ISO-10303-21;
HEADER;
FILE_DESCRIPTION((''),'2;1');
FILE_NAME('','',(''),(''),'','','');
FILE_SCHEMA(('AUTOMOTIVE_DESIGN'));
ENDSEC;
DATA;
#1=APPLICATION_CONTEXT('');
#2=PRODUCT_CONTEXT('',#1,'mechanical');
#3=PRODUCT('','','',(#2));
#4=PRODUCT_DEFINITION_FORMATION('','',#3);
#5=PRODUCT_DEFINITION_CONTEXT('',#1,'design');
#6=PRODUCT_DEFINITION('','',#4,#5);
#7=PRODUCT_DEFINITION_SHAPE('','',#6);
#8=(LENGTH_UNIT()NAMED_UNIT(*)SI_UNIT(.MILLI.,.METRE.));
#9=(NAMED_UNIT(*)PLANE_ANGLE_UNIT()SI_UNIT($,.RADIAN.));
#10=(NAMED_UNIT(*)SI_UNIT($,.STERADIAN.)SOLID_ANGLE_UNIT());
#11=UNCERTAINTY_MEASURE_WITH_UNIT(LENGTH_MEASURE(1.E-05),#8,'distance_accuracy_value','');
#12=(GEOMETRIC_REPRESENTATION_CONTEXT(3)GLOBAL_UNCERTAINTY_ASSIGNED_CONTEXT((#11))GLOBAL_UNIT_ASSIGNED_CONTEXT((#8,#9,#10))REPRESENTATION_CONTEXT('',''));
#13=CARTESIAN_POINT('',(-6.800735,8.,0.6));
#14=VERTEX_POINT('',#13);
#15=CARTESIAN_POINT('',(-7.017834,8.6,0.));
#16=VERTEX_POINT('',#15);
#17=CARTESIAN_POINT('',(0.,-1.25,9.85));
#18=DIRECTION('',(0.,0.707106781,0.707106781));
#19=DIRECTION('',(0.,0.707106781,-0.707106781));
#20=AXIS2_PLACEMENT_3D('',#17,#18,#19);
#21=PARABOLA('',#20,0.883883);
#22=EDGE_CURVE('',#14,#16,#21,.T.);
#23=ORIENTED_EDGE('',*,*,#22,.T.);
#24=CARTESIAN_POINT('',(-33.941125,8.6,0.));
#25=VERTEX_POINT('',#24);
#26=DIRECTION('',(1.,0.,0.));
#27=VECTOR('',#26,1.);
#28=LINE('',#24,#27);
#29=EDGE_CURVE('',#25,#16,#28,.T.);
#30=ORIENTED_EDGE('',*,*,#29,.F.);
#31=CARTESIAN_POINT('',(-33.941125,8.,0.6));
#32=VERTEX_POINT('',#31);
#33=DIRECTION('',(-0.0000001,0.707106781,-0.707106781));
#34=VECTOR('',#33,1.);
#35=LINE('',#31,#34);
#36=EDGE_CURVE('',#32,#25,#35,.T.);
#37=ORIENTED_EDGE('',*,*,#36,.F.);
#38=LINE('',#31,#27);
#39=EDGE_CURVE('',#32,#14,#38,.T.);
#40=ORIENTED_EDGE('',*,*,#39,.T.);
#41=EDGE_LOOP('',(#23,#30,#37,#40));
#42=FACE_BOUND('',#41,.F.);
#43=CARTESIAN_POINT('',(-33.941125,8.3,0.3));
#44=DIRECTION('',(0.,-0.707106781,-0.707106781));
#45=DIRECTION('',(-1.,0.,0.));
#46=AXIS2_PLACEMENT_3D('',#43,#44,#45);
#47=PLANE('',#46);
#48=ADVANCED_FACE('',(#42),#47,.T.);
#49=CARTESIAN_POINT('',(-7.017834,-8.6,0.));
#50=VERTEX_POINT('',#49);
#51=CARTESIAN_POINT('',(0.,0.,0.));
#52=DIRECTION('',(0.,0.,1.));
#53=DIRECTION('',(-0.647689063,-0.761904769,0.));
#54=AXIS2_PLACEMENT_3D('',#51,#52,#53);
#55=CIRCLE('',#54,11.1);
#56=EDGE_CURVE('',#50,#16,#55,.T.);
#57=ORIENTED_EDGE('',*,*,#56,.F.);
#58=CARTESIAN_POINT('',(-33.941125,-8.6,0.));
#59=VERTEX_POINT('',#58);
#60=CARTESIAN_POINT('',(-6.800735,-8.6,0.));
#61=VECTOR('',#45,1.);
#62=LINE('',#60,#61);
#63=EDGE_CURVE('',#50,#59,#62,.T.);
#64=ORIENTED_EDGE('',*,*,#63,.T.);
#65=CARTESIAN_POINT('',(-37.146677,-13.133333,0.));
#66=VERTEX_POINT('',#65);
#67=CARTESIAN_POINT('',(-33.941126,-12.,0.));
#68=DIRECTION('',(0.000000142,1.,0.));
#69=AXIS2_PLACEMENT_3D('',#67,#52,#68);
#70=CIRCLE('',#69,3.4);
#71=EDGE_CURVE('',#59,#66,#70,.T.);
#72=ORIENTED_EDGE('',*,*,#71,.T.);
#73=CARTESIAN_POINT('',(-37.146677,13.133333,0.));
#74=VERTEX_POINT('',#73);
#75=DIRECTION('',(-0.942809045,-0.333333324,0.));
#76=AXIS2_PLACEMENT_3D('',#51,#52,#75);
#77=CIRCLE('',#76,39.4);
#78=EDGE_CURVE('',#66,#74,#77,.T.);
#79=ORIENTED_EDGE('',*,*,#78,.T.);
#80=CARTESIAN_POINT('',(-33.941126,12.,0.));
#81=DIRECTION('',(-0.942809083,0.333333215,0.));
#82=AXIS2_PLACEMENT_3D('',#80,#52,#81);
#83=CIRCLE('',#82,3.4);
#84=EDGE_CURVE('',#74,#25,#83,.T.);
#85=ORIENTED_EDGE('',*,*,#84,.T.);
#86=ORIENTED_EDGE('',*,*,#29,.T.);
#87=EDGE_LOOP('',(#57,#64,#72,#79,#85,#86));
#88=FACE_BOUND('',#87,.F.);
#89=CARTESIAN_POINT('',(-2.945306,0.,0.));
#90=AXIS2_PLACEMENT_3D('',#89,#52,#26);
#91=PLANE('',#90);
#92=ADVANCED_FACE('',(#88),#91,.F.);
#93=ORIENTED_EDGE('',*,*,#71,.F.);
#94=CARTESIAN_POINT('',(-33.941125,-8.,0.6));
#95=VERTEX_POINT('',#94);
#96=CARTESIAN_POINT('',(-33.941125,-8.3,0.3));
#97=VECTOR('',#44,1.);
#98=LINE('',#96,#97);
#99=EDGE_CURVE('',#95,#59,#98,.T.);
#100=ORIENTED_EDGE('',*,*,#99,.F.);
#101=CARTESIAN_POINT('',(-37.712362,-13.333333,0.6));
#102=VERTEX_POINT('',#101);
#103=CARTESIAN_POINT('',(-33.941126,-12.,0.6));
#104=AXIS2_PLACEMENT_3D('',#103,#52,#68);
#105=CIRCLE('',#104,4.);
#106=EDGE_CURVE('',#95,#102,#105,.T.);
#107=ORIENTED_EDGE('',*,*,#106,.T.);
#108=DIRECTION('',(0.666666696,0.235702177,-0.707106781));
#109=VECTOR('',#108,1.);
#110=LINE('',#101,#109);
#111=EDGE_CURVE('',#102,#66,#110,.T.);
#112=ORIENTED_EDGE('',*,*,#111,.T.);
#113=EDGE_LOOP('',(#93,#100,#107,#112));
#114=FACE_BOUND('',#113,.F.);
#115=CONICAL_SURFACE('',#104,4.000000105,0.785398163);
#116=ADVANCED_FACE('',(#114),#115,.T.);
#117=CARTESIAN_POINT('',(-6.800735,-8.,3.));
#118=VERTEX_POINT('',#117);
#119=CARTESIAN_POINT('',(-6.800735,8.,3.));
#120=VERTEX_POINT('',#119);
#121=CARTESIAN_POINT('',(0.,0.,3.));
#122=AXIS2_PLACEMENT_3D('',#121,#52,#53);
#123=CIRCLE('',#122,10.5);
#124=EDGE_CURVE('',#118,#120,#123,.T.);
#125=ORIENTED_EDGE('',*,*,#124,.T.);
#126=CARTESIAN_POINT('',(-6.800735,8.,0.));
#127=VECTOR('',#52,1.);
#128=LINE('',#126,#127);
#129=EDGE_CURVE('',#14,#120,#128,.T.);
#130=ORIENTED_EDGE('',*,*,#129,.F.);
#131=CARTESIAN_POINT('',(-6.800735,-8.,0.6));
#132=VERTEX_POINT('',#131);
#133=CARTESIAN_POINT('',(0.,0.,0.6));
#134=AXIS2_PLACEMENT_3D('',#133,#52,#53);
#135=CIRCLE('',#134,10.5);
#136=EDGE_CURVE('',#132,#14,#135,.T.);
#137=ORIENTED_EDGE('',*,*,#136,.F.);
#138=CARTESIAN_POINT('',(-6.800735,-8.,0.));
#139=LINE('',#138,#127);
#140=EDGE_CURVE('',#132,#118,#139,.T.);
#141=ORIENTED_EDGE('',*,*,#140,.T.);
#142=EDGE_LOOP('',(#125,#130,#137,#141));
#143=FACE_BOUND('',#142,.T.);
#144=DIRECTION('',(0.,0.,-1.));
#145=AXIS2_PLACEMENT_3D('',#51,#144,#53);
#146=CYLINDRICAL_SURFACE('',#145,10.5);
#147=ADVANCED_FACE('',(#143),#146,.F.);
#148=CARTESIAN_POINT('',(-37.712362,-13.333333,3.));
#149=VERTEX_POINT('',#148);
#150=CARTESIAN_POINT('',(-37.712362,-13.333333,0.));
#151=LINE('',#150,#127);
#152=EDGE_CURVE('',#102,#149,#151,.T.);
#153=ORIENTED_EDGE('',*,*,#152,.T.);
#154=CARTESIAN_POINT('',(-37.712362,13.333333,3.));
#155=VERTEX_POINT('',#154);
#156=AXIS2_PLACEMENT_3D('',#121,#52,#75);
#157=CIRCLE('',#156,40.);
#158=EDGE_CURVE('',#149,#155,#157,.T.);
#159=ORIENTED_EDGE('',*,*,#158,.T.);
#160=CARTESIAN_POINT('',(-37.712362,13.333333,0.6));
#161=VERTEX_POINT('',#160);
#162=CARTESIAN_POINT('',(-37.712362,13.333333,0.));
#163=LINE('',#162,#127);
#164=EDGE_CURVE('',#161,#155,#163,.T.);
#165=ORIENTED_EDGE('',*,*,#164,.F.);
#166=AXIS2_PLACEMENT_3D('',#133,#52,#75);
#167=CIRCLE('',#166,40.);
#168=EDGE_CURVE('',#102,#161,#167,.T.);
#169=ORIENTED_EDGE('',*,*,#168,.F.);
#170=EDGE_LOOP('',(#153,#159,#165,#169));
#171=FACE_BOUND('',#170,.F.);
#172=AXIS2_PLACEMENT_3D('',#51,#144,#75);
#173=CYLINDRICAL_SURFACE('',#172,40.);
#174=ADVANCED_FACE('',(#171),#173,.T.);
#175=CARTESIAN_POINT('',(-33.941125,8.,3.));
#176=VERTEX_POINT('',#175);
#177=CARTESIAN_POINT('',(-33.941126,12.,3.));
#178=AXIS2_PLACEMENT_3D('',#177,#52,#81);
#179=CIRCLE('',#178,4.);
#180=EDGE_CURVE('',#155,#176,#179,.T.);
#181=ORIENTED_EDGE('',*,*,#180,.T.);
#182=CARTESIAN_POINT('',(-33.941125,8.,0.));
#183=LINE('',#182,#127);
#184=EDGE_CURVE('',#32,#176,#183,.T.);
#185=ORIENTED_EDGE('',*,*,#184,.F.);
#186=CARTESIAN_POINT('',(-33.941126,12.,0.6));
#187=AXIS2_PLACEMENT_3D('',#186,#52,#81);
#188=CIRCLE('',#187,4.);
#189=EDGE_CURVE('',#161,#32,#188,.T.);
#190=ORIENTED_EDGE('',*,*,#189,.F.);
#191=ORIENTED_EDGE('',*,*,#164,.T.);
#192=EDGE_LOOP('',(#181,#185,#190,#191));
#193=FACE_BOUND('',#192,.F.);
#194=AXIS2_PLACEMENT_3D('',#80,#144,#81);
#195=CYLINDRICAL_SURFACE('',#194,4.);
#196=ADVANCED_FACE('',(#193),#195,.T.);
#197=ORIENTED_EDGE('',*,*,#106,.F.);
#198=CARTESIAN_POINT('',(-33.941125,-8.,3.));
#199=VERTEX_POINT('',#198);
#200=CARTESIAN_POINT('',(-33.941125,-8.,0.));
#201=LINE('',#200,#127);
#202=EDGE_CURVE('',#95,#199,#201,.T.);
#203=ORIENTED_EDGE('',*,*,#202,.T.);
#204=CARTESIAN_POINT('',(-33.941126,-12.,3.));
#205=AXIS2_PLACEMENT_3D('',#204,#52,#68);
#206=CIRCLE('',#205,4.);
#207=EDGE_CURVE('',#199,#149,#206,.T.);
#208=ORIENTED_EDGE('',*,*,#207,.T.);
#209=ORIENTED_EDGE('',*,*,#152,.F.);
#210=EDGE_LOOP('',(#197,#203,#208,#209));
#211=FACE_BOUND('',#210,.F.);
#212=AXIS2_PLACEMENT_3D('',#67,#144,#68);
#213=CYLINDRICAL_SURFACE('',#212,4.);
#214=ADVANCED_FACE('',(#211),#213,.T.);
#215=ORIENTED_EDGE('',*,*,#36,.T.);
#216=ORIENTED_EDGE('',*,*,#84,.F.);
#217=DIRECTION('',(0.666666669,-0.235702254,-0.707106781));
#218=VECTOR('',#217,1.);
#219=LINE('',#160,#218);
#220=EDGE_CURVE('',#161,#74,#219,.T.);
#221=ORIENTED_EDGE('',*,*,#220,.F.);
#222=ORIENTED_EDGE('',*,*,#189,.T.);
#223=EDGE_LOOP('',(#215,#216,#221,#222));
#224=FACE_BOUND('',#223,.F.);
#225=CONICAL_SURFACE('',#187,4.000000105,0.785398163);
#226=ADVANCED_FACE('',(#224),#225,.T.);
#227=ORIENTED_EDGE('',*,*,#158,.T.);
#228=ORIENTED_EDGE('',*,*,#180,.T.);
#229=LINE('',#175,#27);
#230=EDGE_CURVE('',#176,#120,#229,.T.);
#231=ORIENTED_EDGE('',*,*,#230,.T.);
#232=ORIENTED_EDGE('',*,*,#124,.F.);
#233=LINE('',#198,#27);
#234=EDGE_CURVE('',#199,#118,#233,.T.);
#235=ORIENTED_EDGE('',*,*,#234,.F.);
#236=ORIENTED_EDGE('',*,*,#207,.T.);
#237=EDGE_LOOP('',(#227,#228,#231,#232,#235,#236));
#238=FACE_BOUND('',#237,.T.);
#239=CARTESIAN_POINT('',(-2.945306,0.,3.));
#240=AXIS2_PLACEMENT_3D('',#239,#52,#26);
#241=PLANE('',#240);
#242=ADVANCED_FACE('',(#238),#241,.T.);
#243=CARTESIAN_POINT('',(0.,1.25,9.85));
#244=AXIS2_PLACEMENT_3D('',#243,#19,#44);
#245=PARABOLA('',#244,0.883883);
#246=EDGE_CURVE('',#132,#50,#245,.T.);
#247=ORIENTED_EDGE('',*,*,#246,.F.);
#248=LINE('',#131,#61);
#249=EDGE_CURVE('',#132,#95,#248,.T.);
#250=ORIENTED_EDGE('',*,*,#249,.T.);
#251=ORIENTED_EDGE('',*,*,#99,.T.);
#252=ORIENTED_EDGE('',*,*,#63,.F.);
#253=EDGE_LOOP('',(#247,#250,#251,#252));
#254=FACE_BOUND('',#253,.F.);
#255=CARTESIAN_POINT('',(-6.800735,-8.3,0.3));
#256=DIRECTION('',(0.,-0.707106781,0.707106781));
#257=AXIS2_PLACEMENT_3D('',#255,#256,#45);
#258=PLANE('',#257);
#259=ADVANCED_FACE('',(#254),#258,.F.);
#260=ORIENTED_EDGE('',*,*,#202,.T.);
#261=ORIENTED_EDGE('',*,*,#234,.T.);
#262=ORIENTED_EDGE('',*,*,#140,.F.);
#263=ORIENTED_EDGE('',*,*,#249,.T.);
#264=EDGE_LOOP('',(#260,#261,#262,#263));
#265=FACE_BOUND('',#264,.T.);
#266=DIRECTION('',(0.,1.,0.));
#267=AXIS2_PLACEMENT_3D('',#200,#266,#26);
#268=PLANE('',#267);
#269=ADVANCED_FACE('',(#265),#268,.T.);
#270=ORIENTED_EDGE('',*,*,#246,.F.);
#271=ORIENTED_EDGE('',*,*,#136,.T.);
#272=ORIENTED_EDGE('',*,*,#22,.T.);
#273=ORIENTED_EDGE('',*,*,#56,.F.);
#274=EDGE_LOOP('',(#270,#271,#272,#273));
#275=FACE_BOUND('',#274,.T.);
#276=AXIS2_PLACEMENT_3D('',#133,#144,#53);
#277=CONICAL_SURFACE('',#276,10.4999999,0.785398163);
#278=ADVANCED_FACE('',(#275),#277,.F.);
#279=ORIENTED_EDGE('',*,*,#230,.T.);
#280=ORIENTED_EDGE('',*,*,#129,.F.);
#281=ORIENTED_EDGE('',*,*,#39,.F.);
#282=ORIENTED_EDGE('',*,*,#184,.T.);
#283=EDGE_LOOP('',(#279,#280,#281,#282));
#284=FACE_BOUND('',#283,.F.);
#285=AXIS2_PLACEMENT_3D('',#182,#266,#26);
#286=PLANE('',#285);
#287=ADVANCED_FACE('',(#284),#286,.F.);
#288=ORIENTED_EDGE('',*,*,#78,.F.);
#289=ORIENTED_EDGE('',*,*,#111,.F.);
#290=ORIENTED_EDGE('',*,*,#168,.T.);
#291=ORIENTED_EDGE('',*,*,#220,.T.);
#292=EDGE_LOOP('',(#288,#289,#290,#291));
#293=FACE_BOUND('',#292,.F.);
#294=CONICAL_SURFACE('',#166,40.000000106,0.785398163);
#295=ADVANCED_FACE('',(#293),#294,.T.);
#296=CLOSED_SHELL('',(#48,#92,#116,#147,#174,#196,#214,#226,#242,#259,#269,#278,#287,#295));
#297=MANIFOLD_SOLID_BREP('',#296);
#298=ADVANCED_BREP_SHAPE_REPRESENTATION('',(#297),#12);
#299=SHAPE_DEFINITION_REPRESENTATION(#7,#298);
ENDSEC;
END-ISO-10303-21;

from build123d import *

# Parameters (mm, degrees)
PAD_DEPTH    = 3
CHAMFER_SIZE = 0.6


with BuildPart() as part:
    # Sketch → Pad (new body)
    with BuildSketch(Plane.XY):
        with BuildLine():
            ThreePointArc((-37.712362, -13.333333), (40, 0), (-37.712362, 13.333333))
            ThreePointArc((-37.712362, 13.333333), (-37.207112, 9.690599), (-33.941125, 8))
            Line((-33.941125, 8), (-6.800735, 8))
            ThreePointArc((-6.800735, -8), (10.5, 0), (-6.800735, 8))
            Line((-33.941125, -8), (-6.800735, -8))
            ThreePointArc((-33.941125, -8), (-37.207112, -9.690599), (-37.712362, -13.333333))
        make_face()
    extrude(amount=PAD_DEPTH)

    # Chamfer
    chamfer_edges = [part.edges().sort_by_distance(p)[0] for p in [
        (-37.207112, -9.690599, 0),
        (40, 0, 0),
        (-37.207112, 9.690599, 0),
        (-20.37093, 8, 0),
        (10.5, 0, 0),
        (-20.37093, -8, 0),
    ]]
    chamfer(chamfer_edges, length=CHAMFER_SIZE)


solid = part.part
